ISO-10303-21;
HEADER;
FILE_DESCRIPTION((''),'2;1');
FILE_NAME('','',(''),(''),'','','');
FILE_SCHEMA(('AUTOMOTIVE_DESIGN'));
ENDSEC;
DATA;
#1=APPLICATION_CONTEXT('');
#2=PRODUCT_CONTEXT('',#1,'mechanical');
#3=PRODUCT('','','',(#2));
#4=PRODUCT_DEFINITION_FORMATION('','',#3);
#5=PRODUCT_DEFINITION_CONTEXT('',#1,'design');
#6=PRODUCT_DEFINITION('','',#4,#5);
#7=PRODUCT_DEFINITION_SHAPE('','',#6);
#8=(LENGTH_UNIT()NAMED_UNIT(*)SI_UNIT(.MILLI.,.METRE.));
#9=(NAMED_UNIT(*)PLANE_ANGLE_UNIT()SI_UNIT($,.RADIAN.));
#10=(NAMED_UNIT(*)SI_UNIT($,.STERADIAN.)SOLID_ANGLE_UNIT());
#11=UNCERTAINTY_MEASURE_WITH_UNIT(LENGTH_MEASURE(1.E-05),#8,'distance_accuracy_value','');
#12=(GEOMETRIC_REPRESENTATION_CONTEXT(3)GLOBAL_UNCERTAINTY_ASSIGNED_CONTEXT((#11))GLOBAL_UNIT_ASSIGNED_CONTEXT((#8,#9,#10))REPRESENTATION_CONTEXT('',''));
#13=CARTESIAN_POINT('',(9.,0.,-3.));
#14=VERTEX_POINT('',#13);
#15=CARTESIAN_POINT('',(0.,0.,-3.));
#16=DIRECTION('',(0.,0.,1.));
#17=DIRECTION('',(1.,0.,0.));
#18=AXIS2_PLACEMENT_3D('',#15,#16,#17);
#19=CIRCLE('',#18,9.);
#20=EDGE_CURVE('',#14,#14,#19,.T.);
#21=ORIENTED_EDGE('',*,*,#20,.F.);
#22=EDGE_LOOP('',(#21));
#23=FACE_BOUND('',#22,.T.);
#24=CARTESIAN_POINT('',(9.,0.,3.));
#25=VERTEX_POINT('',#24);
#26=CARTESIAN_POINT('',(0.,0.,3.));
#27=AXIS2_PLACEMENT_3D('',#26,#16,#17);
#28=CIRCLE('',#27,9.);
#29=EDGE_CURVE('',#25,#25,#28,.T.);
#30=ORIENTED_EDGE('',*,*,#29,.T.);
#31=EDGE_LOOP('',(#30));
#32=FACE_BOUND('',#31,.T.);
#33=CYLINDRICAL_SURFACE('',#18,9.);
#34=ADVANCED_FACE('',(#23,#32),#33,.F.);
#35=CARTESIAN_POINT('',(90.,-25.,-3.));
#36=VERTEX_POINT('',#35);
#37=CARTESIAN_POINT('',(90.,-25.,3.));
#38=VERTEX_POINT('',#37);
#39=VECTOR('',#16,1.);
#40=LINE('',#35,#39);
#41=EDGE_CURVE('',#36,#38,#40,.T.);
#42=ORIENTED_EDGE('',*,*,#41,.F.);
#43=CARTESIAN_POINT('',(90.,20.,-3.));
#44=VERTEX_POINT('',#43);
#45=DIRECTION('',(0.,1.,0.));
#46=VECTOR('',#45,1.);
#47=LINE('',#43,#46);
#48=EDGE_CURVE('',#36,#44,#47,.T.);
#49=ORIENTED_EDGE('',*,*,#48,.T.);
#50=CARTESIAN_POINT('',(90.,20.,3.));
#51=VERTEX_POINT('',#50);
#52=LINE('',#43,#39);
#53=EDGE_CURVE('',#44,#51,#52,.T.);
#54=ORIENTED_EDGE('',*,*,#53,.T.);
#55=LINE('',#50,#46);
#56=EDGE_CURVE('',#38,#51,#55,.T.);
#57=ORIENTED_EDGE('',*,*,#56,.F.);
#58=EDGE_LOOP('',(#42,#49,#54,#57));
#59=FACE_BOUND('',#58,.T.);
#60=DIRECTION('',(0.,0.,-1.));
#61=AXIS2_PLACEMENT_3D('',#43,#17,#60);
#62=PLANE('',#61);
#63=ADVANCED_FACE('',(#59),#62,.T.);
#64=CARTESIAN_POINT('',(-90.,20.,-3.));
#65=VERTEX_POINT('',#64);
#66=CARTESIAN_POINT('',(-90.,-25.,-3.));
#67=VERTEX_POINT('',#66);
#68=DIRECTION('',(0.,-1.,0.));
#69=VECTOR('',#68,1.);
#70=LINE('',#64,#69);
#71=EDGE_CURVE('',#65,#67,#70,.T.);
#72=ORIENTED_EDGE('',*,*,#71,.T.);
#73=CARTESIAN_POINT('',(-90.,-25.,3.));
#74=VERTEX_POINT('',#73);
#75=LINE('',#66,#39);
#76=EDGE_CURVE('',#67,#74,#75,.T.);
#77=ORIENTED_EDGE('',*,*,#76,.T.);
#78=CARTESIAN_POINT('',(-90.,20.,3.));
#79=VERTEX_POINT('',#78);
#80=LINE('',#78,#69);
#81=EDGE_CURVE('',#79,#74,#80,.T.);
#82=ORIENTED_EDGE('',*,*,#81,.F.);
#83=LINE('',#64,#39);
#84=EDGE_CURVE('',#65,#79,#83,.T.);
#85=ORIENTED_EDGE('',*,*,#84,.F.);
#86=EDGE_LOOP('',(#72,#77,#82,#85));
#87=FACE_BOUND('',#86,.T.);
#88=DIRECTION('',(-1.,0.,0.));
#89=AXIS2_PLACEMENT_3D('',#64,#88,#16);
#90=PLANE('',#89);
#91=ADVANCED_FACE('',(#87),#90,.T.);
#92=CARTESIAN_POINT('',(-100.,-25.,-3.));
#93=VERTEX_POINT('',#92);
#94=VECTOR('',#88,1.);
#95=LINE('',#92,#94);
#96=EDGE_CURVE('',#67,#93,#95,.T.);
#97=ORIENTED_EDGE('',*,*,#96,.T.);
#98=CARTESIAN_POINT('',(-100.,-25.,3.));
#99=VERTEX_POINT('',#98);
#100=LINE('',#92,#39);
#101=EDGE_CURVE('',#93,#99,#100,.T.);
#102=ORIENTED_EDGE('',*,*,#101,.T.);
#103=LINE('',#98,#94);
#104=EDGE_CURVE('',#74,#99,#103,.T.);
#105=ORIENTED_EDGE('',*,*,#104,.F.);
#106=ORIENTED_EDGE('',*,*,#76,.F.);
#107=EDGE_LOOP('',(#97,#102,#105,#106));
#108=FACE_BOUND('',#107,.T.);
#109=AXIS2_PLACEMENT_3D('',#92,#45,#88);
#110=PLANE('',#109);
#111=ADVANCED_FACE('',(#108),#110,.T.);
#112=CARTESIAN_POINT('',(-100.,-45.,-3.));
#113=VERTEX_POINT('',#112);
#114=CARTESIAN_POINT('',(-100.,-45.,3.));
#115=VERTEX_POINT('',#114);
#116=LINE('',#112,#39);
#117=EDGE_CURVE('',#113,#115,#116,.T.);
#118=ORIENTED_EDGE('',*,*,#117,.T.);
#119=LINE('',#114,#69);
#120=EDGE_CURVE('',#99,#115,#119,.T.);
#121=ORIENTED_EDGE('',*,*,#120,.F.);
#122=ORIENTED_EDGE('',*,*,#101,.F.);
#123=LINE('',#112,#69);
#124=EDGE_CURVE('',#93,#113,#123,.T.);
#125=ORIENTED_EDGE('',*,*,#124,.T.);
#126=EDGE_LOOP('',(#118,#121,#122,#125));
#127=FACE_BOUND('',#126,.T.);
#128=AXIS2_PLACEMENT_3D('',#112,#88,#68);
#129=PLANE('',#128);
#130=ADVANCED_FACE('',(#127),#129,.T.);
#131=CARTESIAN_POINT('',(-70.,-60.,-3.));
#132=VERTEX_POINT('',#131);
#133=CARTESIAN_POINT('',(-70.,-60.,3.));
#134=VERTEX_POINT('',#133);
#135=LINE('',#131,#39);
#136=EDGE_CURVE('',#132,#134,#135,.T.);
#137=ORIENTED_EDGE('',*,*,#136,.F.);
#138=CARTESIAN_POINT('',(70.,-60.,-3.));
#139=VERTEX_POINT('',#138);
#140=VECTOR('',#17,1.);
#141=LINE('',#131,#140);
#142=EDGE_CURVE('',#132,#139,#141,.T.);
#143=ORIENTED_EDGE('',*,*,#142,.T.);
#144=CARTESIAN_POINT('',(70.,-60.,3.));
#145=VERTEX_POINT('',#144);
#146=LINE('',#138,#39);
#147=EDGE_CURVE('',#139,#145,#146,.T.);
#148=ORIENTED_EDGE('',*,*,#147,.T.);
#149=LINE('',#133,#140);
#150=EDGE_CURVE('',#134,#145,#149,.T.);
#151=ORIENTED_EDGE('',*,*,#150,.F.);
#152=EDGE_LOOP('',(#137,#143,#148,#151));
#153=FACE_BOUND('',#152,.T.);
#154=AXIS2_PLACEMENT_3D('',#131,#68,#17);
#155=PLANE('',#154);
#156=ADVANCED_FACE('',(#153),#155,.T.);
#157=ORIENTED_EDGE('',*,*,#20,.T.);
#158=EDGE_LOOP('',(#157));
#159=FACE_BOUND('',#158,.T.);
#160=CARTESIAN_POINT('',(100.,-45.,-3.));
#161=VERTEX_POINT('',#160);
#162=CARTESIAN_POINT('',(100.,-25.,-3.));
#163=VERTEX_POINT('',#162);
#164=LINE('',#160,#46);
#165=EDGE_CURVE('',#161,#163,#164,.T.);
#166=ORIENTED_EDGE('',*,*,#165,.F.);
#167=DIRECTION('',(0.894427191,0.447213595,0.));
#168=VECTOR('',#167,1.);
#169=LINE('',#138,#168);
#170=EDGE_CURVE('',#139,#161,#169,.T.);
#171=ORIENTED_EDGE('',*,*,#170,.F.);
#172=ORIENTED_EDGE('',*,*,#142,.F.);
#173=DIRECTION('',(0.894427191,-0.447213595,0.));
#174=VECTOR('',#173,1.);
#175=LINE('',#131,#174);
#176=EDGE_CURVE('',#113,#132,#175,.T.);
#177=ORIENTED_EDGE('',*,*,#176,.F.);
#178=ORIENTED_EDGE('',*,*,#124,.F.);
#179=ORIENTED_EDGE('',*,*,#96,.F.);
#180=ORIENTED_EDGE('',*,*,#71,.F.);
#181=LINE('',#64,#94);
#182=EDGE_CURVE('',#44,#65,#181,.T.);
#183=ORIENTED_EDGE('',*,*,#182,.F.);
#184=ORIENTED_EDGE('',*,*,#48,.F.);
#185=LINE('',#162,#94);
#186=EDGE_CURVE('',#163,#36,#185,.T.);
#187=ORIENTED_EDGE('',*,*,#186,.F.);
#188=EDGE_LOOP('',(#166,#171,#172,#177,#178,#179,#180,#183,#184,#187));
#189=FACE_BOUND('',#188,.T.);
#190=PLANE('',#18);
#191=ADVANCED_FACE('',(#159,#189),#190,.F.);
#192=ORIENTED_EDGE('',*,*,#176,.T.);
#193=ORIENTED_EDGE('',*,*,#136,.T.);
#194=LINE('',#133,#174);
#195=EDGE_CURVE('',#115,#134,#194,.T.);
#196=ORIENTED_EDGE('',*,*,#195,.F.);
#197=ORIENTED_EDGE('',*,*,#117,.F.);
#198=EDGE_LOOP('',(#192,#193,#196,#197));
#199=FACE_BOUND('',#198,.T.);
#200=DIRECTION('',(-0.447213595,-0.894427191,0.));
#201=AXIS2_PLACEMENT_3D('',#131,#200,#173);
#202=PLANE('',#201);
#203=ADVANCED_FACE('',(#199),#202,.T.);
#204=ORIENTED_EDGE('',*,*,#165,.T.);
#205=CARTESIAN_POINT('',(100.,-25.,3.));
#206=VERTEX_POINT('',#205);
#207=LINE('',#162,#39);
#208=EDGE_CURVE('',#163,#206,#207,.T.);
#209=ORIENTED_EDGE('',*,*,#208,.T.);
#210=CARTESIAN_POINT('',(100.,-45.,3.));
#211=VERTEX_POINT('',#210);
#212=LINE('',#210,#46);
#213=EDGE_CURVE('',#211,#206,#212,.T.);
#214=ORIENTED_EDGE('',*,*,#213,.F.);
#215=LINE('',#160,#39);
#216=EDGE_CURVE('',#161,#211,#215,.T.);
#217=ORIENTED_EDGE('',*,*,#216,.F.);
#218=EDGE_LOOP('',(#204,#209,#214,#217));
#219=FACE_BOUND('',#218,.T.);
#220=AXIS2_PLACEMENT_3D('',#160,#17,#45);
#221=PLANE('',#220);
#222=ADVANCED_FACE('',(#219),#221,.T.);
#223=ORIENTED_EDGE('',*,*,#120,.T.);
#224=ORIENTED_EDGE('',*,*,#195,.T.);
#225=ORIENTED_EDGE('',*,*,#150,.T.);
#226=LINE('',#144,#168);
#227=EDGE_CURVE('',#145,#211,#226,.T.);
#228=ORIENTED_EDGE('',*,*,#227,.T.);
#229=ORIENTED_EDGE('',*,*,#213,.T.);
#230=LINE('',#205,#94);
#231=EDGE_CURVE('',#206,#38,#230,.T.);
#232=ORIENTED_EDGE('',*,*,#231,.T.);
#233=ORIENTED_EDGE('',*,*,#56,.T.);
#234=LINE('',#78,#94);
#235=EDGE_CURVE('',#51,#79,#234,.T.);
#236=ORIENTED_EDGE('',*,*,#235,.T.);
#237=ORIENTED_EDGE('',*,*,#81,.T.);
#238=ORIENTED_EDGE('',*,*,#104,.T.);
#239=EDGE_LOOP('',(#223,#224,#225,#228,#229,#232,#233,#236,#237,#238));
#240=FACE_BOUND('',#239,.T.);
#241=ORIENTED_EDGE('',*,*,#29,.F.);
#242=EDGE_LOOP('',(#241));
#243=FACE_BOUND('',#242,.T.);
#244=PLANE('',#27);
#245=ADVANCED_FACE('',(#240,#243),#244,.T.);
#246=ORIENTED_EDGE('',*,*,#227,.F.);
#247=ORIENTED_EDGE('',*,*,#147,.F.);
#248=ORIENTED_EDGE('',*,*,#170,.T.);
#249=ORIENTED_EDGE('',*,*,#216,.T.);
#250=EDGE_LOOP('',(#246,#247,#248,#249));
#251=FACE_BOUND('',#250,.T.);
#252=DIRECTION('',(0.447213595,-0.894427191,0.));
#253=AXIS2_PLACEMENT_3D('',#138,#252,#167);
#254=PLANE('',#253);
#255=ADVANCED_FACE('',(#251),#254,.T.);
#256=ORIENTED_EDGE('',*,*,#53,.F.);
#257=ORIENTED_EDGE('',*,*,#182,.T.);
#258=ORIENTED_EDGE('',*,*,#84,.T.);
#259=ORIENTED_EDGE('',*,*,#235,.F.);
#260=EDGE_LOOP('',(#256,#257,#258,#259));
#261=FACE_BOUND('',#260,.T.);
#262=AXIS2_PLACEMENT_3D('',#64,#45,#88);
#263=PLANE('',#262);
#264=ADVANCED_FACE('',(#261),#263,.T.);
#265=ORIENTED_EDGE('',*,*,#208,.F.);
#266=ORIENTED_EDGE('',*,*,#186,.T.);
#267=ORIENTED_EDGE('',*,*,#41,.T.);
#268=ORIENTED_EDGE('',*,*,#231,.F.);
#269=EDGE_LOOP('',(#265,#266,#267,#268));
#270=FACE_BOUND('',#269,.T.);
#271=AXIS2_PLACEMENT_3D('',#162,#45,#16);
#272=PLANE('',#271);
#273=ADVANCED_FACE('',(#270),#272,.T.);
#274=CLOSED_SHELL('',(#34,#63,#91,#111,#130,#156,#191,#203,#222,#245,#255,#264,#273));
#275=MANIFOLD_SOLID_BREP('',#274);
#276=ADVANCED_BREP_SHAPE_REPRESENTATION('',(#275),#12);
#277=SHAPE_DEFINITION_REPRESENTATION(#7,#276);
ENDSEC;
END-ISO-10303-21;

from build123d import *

# Parameters (mm, degrees)
BOSS_EXTRUDE1_DEPTH      = 3
BOSS_EXTRUDE1_DEPTH_BACK = 3
SKETCH1_R                = 9


with BuildPart() as part:
    # Sketch1 → Boss-Extrude1 (new, two sides: drawn at the far end of the back side and taken through both)
    with BuildSketch(Plane.XY.offset(-BOSS_EXTRUDE1_DEPTH_BACK)):
        Polygon((-90, 20), (90, 20), (90, -25), (100, -25), (100, -45), (70, -60), (-70, -60), (-100, -45), (-100, -25), (-90, -25), align=None)
        Circle(SKETCH1_R, mode=Mode.SUBTRACT)
    extrude(amount=BOSS_EXTRUDE1_DEPTH + BOSS_EXTRUDE1_DEPTH_BACK)


solid = part.part
